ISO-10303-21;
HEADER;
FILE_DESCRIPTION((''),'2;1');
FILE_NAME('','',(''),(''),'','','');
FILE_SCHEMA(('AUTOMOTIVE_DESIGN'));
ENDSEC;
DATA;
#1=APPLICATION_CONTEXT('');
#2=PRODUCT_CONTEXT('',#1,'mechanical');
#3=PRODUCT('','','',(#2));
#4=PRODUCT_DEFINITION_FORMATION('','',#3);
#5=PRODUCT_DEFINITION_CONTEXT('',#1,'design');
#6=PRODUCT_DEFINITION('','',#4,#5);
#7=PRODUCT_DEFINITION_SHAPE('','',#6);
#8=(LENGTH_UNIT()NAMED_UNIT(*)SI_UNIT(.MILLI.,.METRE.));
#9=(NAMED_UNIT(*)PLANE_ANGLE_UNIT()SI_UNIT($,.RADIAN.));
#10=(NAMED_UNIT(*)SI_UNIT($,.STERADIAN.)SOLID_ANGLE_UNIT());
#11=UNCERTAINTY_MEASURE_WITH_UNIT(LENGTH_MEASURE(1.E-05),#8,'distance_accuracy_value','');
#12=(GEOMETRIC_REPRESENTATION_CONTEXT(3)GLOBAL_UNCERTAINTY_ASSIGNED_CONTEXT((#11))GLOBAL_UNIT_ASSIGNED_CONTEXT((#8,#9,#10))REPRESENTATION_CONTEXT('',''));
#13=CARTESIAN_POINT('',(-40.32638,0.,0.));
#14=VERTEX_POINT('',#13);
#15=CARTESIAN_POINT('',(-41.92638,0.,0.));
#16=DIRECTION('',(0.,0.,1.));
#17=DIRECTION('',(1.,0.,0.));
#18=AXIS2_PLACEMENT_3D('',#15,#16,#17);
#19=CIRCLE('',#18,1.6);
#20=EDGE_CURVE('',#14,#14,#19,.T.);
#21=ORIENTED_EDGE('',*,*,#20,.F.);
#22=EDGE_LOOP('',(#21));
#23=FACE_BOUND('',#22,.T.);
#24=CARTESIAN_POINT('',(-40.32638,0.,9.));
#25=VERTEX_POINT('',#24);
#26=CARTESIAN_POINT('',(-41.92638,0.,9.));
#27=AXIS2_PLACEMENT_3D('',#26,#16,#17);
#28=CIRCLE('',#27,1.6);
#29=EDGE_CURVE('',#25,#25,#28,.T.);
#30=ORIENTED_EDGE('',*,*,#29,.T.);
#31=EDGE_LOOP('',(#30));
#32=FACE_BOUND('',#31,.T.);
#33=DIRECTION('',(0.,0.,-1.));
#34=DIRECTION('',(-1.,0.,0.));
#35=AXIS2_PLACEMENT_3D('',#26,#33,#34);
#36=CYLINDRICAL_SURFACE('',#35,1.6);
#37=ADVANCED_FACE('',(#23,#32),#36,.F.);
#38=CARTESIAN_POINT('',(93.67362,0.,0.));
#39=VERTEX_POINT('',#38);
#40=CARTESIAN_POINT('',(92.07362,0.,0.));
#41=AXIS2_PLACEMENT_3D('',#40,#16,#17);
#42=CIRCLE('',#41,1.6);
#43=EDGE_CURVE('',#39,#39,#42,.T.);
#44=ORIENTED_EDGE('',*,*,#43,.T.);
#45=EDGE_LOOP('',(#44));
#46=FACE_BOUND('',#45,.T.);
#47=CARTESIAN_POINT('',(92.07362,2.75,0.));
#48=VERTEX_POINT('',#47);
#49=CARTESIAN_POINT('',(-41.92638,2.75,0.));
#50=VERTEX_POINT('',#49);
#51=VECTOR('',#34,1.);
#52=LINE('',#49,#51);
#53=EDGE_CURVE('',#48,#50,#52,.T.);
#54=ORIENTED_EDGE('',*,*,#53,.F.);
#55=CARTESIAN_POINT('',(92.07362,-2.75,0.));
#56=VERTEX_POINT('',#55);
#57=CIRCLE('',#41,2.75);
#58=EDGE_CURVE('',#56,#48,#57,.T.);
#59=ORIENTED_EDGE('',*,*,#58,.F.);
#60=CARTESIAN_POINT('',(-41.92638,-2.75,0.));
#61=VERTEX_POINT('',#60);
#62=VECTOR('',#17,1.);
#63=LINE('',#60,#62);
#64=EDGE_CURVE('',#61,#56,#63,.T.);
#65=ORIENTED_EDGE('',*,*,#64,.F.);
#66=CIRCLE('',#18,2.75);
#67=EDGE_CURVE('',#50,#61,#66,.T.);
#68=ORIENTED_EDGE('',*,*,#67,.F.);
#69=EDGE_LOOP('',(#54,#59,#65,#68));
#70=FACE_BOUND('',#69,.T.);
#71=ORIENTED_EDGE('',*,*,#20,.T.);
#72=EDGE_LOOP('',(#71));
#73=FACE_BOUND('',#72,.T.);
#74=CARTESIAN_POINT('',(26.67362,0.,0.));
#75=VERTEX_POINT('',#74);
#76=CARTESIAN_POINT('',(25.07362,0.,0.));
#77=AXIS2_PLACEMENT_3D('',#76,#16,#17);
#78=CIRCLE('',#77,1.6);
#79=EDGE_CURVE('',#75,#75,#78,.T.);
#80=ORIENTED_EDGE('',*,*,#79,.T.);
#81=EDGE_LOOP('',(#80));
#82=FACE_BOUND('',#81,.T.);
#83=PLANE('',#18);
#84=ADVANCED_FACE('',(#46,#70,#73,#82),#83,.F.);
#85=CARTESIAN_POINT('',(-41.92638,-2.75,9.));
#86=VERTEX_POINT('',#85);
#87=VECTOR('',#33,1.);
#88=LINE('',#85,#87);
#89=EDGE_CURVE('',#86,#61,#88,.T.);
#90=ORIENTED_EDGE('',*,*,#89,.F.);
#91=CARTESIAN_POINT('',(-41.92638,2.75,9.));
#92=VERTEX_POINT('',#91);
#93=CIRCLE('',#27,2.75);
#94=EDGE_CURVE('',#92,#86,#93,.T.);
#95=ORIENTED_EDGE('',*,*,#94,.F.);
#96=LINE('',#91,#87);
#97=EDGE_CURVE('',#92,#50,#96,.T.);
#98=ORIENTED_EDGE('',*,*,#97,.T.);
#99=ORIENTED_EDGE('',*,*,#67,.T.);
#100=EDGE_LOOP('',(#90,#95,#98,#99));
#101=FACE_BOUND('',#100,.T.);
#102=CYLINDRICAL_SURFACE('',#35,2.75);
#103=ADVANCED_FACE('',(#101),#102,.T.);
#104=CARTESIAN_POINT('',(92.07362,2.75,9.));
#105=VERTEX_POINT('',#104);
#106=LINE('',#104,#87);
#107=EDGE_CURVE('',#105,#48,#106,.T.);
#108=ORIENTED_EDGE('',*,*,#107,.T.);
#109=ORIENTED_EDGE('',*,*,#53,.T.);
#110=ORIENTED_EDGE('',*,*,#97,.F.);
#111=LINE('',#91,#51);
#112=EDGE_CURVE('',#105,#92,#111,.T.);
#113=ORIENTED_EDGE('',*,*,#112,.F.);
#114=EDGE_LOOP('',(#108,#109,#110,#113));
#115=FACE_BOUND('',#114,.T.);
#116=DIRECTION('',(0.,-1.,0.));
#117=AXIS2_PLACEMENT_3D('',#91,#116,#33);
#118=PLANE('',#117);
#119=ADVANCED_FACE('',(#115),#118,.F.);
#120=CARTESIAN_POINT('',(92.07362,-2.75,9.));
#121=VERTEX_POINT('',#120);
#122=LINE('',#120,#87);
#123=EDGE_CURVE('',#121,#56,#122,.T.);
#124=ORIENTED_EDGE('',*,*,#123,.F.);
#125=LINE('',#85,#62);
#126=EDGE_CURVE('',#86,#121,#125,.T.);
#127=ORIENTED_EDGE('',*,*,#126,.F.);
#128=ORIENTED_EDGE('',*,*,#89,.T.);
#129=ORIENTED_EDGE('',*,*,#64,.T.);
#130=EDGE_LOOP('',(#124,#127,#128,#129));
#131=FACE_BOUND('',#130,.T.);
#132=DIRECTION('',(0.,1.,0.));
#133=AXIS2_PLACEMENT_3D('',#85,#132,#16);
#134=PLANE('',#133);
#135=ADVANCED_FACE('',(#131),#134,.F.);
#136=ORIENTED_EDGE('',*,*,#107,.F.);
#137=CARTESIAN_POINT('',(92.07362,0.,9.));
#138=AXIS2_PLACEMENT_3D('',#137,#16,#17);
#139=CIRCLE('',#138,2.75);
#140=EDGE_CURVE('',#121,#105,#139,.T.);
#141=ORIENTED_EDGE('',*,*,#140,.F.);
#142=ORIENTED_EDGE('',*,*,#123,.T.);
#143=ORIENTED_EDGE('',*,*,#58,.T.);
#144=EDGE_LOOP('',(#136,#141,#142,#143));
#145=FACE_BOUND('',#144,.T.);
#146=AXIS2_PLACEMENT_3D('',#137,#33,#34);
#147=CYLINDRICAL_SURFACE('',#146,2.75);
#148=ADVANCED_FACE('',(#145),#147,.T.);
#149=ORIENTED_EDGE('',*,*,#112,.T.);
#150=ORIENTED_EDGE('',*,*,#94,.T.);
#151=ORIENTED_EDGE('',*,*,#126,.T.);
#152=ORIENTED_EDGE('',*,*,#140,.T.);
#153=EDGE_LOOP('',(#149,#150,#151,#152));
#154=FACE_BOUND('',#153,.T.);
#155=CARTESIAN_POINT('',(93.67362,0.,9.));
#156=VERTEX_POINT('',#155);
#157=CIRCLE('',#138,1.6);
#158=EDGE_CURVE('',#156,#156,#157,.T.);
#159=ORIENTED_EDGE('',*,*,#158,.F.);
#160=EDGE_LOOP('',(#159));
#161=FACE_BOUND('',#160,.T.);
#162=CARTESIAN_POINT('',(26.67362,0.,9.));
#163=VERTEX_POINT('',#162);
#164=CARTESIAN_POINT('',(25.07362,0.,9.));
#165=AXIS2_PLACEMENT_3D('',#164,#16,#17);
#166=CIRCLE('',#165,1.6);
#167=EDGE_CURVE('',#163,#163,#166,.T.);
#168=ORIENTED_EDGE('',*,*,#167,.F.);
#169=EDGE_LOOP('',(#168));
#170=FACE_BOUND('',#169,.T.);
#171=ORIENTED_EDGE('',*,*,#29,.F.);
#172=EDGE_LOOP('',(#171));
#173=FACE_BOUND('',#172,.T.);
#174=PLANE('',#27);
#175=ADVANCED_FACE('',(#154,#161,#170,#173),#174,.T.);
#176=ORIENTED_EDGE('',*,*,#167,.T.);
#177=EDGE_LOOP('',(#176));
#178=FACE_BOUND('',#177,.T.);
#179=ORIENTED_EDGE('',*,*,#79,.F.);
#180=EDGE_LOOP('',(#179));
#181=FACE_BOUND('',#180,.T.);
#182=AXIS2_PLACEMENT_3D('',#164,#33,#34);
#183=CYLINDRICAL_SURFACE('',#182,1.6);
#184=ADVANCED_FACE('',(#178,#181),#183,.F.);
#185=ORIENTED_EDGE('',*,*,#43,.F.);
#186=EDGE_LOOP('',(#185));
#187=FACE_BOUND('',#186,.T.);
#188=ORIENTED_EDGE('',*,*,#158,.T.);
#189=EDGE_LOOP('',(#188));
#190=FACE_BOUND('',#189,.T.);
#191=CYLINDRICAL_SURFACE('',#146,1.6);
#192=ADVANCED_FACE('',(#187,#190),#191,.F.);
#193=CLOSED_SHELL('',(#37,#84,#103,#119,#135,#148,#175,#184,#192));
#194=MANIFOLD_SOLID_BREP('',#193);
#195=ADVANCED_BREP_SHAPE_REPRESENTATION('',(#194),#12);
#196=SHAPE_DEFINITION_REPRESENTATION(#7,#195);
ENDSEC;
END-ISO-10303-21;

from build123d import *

# Parameters (mm, degrees)
SKETCH_1_R      = 1.6
EXTRUDE_1_DEPTH = 9


with BuildPart() as part:
    # 草圖1 → 填料-伸長1 (new body)
    with BuildSketch(Plane.XY):
        with BuildLine():
            Line((-41.926380368, 2.75), (92.073619632, 2.75))
            ThreePointArc((92.073619632, 2.75), (94.823619632, 0), (92.073619632, -2.75))
            Line((92.073619632, -2.75), (-41.926380368, -2.75))
            ThreePointArc((-41.926380368, -2.75), (-44.676380368, 0), (-41.926380368, 2.75))
        make_face()
        with Locations((92.073619632, 0)):
            Circle(SKETCH_1_R, mode=Mode.SUBTRACT)
        with Locations((-41.926380368, 0)):
            Circle(SKETCH_1_R, mode=Mode.SUBTRACT)
        with Locations((25.073619632, 0)):
            Circle(SKETCH_1_R, mode=Mode.SUBTRACT)
    extrude(amount=EXTRUDE_1_DEPTH)


solid = part.part
